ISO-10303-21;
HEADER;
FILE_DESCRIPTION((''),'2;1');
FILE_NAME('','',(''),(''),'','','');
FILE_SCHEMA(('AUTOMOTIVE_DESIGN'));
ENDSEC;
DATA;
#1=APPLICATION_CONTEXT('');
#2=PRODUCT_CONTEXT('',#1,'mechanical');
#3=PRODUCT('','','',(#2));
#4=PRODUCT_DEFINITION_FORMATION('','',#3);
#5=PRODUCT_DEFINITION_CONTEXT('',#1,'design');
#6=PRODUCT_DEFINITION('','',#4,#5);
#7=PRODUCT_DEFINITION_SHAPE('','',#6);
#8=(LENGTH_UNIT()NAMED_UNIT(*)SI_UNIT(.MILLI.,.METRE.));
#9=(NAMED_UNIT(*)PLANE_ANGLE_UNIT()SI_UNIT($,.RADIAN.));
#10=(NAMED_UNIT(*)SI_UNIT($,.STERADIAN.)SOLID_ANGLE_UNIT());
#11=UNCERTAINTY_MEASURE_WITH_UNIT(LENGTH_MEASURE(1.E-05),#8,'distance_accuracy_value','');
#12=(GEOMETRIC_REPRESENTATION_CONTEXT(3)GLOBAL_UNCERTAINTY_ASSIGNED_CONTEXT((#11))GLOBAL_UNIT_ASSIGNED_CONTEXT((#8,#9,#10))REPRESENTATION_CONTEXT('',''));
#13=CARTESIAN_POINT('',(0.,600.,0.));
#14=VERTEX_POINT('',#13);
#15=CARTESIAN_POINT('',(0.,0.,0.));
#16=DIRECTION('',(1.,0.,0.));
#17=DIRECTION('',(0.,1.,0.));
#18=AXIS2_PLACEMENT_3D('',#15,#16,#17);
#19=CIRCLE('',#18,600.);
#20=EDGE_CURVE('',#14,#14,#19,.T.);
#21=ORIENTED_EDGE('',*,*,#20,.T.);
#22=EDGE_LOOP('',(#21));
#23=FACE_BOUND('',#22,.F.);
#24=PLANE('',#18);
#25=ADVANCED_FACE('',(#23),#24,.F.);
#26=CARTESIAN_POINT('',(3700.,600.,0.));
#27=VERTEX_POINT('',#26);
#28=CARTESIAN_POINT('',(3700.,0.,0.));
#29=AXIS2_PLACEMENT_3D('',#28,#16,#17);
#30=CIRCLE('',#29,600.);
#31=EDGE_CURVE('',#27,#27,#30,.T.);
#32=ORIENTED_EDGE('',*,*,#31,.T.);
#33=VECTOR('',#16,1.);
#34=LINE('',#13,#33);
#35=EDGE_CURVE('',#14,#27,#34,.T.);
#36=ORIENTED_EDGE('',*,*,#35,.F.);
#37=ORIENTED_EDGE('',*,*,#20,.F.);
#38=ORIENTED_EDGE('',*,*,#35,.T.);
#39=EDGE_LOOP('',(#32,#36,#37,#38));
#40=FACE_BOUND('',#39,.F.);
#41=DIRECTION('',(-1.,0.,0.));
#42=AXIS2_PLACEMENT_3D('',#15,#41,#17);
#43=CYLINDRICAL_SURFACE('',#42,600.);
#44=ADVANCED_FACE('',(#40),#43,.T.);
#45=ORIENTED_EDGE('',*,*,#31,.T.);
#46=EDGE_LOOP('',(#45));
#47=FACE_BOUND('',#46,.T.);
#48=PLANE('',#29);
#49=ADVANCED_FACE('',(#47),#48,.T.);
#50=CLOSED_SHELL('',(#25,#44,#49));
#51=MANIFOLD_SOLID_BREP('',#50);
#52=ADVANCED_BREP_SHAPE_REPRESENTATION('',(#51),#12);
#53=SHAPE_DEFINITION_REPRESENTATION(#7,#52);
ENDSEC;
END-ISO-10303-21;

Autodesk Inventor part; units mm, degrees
ref_plane "YZ Plane" through (0, 0, 0) normal (1, 0, 0) x (0, 1, 0)
ref_plane "XZ Plane" through (0, 0, 0) normal (0, 1, 0) x (-1, 0, 0)
ref_plane "XY Plane" through (0, 0, 0) normal (0, 0, 1) x (1, 0, 0)
sketch "Sketch1" plane through (0, 0, 0) normal (1, 0, 0) x (0, 1, 0)
  circle A0 centre (0, 0) radius 600
  dimension "d0" = 1200
extrude "Extrusion1" add sketch "Sketch1" along normal blind 3700
